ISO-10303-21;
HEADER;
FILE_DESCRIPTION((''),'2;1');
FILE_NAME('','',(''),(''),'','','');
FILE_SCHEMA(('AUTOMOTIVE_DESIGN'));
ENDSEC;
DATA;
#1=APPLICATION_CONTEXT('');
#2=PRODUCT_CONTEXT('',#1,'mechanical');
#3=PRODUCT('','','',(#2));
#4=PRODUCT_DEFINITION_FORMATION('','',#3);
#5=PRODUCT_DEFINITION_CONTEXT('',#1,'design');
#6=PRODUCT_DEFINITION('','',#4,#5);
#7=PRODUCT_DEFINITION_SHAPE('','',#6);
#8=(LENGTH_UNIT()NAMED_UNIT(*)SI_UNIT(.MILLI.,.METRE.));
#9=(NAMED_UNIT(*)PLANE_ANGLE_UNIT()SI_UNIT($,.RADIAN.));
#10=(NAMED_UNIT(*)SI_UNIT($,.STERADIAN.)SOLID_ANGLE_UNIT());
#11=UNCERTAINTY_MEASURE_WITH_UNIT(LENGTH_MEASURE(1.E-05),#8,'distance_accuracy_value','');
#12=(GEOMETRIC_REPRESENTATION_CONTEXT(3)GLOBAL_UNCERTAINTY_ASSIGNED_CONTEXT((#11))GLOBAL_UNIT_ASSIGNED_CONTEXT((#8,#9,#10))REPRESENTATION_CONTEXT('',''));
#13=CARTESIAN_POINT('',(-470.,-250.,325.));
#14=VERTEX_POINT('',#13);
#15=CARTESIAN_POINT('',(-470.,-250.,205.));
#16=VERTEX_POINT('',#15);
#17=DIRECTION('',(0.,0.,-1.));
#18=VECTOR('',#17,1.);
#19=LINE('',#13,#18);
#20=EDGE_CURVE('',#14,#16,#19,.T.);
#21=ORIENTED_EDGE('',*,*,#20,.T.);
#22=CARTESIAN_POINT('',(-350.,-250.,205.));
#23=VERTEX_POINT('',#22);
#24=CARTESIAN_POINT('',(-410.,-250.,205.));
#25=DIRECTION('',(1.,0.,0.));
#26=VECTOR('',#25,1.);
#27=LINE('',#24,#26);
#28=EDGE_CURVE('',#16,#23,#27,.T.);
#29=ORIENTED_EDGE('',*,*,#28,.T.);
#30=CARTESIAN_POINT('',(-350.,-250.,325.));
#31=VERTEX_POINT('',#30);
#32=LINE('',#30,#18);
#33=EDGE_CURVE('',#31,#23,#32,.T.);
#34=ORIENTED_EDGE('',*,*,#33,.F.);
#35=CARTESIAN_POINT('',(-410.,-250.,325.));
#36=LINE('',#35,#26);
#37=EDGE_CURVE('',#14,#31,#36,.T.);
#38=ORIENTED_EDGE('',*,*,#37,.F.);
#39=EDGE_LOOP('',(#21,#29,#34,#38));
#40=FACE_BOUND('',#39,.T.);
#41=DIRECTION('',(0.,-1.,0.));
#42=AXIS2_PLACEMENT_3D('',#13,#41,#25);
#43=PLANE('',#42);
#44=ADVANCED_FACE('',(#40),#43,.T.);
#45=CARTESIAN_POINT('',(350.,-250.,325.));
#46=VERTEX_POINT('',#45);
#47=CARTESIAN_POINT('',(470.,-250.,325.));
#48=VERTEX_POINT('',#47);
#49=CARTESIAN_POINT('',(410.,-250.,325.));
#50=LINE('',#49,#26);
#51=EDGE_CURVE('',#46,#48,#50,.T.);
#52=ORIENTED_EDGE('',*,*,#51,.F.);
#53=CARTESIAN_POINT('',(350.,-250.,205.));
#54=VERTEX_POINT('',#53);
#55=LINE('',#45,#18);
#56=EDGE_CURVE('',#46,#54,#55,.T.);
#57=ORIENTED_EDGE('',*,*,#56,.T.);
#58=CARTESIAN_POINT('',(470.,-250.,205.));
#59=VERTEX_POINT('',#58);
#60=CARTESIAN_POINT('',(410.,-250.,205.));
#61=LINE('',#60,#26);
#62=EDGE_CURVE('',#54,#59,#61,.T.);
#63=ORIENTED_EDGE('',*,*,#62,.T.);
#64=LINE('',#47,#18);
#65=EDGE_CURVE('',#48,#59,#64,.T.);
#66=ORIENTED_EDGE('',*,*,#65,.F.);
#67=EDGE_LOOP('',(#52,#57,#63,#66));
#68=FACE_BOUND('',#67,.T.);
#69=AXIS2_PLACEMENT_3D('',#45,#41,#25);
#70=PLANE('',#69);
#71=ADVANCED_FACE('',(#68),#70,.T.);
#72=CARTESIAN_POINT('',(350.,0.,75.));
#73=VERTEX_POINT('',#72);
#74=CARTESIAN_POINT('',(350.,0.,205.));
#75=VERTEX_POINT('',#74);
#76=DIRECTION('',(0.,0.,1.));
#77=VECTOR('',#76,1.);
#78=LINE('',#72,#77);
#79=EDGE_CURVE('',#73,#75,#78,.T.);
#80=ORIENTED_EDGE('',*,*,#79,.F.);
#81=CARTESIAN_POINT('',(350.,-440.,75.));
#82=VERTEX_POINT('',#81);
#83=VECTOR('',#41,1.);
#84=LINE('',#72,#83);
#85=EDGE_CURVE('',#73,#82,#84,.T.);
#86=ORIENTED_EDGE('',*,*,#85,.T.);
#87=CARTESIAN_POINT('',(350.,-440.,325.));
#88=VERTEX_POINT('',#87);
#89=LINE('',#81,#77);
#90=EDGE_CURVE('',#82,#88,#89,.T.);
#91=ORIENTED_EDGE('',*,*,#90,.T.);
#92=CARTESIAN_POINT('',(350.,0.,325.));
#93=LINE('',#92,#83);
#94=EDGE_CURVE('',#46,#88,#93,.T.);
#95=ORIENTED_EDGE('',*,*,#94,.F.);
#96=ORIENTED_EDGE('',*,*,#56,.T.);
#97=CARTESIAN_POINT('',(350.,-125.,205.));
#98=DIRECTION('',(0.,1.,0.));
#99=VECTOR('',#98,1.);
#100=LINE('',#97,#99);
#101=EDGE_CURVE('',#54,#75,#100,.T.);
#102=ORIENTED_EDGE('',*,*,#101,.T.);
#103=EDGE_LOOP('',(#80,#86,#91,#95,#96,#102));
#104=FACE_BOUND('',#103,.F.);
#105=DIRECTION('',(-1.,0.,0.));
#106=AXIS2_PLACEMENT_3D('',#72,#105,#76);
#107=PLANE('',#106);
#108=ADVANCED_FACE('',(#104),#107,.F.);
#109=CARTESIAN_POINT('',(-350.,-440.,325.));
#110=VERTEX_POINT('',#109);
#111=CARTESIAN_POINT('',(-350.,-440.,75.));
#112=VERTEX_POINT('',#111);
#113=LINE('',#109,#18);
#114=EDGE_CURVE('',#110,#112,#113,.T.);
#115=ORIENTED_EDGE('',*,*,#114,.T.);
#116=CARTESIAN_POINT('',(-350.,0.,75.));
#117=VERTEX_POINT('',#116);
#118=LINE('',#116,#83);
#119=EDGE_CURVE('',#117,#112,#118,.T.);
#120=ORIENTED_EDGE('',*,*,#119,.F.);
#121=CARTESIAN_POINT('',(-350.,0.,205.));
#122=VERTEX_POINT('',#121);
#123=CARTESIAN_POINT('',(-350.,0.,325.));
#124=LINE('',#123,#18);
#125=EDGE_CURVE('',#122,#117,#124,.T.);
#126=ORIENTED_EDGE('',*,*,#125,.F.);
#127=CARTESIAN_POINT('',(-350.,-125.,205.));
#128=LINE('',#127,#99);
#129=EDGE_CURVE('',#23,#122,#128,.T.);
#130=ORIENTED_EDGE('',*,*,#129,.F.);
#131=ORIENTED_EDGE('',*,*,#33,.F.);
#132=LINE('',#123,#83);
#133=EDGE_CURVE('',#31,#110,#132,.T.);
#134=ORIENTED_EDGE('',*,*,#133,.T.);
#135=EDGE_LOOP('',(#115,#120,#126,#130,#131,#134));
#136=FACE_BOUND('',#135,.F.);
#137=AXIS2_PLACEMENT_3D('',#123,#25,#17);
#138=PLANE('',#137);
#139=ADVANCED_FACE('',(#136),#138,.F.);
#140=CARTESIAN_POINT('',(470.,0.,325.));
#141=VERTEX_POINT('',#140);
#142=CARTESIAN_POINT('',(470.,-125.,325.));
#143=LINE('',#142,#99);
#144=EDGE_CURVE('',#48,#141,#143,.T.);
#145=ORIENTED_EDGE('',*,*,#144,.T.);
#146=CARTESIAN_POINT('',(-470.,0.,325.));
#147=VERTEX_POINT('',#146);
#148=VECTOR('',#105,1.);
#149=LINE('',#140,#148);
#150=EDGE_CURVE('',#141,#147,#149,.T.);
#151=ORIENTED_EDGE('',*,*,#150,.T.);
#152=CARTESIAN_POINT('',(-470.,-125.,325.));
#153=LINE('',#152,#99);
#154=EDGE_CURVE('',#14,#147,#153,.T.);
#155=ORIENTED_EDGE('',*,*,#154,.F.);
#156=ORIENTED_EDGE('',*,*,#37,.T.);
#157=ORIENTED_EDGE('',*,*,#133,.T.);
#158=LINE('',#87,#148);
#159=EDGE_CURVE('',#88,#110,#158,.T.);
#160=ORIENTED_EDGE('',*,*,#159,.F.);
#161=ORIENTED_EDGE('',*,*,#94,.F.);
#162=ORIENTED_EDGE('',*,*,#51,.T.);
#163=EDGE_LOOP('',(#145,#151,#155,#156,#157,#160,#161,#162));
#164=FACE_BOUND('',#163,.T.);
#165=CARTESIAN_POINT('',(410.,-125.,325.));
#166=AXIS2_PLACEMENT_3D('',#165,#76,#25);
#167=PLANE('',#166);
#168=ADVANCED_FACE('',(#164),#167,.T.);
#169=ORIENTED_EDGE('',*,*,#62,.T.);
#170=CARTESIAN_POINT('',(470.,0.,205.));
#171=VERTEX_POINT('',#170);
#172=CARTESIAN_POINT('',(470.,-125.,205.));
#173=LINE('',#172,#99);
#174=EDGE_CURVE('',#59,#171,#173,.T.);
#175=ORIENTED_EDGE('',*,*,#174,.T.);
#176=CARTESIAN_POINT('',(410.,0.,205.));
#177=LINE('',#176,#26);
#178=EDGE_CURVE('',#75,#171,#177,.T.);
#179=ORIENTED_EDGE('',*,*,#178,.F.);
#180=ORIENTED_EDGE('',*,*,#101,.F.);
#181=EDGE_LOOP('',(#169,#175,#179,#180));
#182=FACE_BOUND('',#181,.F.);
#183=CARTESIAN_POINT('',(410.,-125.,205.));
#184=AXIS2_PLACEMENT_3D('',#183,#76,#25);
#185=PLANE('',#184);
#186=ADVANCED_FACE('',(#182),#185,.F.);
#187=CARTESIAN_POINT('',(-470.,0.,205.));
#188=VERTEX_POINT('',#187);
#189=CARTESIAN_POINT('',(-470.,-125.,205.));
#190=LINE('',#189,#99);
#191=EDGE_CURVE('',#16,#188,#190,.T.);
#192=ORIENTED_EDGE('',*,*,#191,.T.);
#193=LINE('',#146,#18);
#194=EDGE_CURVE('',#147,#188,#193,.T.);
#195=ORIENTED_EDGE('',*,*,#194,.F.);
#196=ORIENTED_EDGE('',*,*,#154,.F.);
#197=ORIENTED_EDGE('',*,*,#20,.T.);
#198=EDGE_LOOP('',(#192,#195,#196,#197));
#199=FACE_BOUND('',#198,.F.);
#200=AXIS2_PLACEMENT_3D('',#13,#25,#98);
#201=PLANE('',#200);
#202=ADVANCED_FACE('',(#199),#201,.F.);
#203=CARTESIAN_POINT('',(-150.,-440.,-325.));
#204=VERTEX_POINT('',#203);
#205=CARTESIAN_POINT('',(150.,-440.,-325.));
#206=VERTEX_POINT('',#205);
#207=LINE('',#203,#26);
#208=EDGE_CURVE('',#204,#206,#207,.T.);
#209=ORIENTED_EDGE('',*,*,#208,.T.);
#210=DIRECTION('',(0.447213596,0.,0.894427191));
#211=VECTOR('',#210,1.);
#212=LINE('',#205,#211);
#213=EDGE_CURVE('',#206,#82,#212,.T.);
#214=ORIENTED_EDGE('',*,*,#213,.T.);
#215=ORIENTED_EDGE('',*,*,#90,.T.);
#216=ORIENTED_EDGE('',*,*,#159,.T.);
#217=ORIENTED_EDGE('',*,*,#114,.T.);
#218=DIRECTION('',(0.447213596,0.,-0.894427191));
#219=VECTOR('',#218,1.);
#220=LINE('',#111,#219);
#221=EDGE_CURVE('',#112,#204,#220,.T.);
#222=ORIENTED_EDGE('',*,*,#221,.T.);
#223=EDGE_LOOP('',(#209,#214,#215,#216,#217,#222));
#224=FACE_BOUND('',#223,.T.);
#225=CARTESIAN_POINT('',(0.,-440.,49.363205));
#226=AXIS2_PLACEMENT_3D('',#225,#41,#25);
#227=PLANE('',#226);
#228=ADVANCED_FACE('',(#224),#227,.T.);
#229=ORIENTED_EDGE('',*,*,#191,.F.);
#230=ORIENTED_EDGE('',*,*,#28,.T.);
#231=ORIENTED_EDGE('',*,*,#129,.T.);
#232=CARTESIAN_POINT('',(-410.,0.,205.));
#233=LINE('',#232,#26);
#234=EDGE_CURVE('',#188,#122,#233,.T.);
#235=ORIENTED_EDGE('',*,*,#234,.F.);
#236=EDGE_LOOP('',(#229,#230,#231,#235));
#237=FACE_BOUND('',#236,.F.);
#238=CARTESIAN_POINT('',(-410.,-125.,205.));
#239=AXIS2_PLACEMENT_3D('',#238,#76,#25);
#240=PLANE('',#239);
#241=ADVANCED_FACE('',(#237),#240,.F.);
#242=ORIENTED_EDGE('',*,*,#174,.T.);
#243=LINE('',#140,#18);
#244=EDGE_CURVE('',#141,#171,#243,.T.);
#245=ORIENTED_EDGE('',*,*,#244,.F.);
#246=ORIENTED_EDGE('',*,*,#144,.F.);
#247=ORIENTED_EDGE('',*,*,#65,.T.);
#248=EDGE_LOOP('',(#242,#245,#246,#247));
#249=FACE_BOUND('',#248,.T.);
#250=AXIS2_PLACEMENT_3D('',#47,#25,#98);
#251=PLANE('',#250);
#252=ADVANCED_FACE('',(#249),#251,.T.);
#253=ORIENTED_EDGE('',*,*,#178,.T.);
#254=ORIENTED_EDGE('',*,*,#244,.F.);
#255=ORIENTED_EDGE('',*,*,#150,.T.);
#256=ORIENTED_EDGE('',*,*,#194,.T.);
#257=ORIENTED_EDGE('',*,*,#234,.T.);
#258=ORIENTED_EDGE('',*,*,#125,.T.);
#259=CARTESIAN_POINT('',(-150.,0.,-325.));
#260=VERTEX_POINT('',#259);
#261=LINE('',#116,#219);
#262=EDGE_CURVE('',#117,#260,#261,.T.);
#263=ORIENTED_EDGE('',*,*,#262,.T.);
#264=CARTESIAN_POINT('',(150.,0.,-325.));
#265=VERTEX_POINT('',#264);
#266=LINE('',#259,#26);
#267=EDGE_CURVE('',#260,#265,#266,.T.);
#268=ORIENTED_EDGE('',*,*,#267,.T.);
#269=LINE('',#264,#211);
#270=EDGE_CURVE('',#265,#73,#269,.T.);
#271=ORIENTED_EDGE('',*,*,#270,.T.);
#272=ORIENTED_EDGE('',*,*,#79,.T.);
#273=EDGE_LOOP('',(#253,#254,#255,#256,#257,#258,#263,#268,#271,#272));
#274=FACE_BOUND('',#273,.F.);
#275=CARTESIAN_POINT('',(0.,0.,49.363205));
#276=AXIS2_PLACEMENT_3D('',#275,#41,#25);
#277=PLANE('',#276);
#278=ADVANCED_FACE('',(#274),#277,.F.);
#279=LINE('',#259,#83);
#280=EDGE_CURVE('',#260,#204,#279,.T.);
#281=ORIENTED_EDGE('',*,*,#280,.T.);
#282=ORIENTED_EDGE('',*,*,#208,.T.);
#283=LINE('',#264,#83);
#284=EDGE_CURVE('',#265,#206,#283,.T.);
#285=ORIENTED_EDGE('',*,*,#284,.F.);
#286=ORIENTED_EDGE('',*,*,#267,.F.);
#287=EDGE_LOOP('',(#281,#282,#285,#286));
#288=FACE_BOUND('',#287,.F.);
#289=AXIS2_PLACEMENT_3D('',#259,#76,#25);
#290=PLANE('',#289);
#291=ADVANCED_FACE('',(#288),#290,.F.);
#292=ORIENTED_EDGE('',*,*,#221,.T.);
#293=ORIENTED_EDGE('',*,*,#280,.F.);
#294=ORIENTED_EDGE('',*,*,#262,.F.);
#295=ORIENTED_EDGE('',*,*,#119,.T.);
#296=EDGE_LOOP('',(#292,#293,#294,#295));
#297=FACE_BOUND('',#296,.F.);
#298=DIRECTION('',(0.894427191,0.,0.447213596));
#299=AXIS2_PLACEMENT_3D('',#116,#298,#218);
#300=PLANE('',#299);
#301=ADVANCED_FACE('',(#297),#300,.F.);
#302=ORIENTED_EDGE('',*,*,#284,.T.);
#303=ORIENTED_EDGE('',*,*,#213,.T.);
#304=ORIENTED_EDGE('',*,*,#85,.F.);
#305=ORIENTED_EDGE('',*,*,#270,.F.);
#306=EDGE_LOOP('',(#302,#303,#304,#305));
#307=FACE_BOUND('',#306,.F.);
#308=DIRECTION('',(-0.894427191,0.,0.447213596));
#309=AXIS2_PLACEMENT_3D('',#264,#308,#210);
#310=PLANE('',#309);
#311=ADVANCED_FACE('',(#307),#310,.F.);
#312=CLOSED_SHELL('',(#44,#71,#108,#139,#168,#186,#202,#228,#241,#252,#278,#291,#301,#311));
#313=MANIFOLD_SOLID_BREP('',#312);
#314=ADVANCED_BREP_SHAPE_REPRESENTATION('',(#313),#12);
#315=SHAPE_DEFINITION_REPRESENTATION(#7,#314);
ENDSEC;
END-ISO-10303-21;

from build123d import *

# Parameters (mm, degrees)
F1_DEPTH = 440
F2_W     = 120
F2_H     = 250
F3_DEPTH = 120


with BuildPart() as f1:
    # F0 (on Front) → F1 (new body)
    with BuildSketch(Plane.XZ):
        Polygon((-150, -325), (150, -325), (350, 75), (350, 325), (-350, 325), (-350, 75), align=None)
    extrude(amount=F1_DEPTH)

    # F2 (on face) → F3 (join)
    with BuildSketch(Plane.XY.offset(325)):
        with Locations((410, -125)):
            Rectangle(F2_W, F2_H)
        with Locations((-410, -125)):
            Rectangle(F2_W, F2_H)
    extrude(amount=-F3_DEPTH)


solid = f1.part
